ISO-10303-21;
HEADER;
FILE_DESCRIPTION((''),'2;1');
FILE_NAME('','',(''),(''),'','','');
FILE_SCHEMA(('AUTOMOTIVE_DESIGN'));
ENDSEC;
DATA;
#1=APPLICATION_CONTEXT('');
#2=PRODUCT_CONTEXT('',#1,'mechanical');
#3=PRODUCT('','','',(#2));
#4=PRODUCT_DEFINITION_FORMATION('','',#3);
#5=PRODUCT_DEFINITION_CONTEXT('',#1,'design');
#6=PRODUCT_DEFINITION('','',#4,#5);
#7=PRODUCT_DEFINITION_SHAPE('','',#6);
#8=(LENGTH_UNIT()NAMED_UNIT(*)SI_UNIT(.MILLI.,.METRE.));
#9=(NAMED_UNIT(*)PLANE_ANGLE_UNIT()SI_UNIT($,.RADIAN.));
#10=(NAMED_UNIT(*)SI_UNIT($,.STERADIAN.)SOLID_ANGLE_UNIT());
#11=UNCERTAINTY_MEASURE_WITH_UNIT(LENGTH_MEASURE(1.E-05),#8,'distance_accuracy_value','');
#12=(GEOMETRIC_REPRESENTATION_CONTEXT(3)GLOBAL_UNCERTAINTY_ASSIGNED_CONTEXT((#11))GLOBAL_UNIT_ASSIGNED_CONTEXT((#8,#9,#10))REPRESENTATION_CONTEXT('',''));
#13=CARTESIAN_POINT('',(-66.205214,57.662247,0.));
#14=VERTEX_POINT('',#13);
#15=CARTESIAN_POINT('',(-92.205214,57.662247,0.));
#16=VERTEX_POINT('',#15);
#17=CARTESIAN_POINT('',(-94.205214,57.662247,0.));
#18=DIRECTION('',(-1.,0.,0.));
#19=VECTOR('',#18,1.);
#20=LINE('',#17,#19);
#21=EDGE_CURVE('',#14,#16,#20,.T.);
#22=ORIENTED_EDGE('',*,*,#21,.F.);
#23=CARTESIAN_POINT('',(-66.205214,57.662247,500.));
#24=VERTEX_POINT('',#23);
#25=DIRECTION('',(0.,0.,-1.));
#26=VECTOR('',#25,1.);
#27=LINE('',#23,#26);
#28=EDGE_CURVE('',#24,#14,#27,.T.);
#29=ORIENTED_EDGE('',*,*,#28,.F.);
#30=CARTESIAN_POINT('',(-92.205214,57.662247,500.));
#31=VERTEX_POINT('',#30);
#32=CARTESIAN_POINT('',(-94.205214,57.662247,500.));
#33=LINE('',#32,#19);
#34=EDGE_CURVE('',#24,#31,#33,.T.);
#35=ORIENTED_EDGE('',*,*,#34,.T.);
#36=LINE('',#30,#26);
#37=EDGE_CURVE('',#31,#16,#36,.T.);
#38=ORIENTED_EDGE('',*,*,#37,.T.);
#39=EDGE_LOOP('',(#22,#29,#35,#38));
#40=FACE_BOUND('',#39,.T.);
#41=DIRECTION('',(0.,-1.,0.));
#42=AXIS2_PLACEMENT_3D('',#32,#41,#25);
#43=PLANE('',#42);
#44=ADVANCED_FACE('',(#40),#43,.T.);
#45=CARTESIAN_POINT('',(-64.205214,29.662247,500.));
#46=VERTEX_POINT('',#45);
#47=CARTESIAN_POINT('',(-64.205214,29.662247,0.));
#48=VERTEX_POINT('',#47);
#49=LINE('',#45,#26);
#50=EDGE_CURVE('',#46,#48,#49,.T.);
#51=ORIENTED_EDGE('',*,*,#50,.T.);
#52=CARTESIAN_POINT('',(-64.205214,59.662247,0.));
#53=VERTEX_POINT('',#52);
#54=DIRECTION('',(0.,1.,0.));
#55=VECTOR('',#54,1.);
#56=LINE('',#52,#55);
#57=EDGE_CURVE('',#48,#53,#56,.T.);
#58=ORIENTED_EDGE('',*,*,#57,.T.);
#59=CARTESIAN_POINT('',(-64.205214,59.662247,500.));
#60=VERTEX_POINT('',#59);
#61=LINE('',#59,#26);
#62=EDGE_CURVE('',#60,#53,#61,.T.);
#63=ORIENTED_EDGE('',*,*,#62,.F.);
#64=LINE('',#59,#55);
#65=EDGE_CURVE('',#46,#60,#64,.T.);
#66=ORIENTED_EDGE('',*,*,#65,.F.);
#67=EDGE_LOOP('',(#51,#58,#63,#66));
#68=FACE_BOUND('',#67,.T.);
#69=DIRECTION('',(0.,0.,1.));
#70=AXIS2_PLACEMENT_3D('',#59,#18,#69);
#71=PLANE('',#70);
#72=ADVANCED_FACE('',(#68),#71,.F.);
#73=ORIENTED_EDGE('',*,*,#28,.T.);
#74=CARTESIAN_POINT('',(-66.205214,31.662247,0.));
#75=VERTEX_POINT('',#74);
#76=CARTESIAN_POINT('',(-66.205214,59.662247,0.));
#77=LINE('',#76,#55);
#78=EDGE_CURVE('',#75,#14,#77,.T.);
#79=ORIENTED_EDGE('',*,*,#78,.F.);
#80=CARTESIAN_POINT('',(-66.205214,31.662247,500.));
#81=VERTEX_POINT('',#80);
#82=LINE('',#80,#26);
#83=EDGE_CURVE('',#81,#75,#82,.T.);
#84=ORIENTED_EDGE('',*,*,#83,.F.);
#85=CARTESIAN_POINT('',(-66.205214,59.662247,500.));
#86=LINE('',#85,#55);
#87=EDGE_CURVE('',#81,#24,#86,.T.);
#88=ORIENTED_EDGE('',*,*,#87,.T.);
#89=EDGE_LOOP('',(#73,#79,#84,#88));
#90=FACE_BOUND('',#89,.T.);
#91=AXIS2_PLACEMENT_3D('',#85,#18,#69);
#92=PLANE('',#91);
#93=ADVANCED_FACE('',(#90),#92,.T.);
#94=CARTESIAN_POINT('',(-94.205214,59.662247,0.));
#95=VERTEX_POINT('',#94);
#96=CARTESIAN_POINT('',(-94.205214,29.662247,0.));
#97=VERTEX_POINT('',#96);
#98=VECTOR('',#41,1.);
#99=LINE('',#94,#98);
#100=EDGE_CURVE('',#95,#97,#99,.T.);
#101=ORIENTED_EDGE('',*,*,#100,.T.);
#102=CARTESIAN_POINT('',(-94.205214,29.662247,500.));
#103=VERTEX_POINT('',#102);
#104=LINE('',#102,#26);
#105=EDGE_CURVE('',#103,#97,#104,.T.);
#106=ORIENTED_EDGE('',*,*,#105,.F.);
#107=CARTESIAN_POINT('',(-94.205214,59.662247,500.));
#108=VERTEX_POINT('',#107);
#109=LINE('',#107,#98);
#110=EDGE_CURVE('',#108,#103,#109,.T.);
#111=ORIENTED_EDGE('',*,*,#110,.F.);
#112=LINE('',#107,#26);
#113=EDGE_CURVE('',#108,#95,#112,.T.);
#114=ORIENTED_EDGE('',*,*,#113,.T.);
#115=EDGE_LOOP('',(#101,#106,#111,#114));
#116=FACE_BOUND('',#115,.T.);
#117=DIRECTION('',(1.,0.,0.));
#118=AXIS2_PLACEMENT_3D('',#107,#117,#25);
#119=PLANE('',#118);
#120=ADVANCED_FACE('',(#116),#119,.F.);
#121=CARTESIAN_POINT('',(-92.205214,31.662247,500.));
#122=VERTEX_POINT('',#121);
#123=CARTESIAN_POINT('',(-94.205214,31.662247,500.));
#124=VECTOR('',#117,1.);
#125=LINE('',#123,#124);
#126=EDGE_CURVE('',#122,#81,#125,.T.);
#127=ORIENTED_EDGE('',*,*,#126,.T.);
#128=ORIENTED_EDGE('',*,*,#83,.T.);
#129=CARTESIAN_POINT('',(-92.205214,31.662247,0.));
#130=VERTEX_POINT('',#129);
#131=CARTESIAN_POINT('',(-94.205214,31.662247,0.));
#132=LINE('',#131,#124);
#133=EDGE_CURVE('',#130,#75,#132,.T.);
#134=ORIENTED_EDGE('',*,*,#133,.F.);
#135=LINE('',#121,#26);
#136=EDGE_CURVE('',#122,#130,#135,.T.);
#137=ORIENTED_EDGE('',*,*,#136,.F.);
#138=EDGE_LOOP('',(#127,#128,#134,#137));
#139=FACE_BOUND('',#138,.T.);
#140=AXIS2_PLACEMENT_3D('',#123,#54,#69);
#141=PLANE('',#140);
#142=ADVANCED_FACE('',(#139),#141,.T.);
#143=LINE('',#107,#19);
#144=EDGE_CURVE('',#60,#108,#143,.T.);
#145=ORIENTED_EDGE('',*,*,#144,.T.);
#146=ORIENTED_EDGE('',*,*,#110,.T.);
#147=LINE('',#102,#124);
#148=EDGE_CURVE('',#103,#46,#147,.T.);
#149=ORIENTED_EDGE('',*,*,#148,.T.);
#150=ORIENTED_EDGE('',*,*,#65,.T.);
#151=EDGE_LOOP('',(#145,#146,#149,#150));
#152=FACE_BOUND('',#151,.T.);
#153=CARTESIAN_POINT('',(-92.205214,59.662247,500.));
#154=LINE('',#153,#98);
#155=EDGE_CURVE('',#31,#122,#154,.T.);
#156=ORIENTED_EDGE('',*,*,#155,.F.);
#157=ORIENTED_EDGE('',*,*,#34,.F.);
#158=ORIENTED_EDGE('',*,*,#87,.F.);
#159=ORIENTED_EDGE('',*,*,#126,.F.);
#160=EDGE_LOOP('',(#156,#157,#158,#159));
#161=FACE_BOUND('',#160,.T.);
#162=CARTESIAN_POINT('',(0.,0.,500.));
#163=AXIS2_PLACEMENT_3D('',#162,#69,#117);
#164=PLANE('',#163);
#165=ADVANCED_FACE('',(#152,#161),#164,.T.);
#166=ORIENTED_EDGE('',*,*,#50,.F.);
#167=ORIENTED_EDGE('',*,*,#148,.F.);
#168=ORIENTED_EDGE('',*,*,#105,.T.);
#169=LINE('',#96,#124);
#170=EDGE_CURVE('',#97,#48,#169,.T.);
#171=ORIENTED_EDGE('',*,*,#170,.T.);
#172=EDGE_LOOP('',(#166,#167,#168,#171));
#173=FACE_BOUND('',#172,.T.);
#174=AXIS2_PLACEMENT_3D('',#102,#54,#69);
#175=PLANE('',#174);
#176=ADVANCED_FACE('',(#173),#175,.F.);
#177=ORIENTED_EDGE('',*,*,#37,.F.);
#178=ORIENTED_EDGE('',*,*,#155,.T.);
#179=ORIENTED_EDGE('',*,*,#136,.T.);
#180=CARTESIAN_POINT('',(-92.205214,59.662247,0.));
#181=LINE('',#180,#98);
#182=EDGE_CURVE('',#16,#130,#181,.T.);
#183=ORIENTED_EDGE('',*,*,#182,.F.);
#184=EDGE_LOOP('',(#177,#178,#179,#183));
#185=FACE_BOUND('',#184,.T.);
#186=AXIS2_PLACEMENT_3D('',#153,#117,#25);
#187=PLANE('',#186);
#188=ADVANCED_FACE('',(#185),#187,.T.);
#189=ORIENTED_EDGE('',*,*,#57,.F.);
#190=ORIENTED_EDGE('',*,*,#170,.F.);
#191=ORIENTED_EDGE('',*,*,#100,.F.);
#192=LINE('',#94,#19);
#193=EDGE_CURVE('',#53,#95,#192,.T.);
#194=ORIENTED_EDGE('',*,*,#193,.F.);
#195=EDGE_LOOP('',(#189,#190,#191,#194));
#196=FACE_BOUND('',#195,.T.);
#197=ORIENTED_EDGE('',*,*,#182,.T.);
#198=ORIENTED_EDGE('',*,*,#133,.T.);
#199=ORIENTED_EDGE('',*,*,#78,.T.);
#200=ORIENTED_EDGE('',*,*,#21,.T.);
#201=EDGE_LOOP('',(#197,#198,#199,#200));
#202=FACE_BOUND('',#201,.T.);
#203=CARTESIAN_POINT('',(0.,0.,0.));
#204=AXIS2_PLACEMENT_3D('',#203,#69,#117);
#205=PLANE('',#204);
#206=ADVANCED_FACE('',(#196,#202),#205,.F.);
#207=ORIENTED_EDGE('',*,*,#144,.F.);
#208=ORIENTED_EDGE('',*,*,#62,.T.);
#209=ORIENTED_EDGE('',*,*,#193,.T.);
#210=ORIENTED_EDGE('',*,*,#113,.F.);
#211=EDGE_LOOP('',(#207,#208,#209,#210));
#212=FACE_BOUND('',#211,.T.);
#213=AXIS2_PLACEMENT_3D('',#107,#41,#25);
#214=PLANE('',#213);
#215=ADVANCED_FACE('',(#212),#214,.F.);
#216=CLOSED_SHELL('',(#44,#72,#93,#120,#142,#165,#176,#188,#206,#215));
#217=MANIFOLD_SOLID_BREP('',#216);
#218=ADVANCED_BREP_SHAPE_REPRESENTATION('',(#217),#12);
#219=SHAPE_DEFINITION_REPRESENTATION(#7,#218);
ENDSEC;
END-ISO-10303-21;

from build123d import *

# Parameters (mm, degrees)
ESBO_O2_W                = 30
ESBO_O2_H                = 30
RESSALTO_EXTRUS_O1_DEPTH = 500
CASCA2_T                 = -2


with BuildPart() as part:
    # Esboço2 → Ressalto-extrusão1 (new body)
    with BuildSketch(Plane.XY):
        with Locations((-79.205213928, 44.662246879)):
            Rectangle(ESBO_O2_W, ESBO_O2_H)
    extrude(amount=RESSALTO_EXTRUS_O1_DEPTH)

    # Casca2
    casca2_openings = [part.faces().sort_by_distance(p)[0] for p in [
        (-79.205213928, 44.662246879, 500),
        (-79.205213928, 44.662246879, 0),
    ]]
    offset(amount=CASCA2_T, openings=casca2_openings, kind=Kind.INTERSECTION)


solid = part.part
